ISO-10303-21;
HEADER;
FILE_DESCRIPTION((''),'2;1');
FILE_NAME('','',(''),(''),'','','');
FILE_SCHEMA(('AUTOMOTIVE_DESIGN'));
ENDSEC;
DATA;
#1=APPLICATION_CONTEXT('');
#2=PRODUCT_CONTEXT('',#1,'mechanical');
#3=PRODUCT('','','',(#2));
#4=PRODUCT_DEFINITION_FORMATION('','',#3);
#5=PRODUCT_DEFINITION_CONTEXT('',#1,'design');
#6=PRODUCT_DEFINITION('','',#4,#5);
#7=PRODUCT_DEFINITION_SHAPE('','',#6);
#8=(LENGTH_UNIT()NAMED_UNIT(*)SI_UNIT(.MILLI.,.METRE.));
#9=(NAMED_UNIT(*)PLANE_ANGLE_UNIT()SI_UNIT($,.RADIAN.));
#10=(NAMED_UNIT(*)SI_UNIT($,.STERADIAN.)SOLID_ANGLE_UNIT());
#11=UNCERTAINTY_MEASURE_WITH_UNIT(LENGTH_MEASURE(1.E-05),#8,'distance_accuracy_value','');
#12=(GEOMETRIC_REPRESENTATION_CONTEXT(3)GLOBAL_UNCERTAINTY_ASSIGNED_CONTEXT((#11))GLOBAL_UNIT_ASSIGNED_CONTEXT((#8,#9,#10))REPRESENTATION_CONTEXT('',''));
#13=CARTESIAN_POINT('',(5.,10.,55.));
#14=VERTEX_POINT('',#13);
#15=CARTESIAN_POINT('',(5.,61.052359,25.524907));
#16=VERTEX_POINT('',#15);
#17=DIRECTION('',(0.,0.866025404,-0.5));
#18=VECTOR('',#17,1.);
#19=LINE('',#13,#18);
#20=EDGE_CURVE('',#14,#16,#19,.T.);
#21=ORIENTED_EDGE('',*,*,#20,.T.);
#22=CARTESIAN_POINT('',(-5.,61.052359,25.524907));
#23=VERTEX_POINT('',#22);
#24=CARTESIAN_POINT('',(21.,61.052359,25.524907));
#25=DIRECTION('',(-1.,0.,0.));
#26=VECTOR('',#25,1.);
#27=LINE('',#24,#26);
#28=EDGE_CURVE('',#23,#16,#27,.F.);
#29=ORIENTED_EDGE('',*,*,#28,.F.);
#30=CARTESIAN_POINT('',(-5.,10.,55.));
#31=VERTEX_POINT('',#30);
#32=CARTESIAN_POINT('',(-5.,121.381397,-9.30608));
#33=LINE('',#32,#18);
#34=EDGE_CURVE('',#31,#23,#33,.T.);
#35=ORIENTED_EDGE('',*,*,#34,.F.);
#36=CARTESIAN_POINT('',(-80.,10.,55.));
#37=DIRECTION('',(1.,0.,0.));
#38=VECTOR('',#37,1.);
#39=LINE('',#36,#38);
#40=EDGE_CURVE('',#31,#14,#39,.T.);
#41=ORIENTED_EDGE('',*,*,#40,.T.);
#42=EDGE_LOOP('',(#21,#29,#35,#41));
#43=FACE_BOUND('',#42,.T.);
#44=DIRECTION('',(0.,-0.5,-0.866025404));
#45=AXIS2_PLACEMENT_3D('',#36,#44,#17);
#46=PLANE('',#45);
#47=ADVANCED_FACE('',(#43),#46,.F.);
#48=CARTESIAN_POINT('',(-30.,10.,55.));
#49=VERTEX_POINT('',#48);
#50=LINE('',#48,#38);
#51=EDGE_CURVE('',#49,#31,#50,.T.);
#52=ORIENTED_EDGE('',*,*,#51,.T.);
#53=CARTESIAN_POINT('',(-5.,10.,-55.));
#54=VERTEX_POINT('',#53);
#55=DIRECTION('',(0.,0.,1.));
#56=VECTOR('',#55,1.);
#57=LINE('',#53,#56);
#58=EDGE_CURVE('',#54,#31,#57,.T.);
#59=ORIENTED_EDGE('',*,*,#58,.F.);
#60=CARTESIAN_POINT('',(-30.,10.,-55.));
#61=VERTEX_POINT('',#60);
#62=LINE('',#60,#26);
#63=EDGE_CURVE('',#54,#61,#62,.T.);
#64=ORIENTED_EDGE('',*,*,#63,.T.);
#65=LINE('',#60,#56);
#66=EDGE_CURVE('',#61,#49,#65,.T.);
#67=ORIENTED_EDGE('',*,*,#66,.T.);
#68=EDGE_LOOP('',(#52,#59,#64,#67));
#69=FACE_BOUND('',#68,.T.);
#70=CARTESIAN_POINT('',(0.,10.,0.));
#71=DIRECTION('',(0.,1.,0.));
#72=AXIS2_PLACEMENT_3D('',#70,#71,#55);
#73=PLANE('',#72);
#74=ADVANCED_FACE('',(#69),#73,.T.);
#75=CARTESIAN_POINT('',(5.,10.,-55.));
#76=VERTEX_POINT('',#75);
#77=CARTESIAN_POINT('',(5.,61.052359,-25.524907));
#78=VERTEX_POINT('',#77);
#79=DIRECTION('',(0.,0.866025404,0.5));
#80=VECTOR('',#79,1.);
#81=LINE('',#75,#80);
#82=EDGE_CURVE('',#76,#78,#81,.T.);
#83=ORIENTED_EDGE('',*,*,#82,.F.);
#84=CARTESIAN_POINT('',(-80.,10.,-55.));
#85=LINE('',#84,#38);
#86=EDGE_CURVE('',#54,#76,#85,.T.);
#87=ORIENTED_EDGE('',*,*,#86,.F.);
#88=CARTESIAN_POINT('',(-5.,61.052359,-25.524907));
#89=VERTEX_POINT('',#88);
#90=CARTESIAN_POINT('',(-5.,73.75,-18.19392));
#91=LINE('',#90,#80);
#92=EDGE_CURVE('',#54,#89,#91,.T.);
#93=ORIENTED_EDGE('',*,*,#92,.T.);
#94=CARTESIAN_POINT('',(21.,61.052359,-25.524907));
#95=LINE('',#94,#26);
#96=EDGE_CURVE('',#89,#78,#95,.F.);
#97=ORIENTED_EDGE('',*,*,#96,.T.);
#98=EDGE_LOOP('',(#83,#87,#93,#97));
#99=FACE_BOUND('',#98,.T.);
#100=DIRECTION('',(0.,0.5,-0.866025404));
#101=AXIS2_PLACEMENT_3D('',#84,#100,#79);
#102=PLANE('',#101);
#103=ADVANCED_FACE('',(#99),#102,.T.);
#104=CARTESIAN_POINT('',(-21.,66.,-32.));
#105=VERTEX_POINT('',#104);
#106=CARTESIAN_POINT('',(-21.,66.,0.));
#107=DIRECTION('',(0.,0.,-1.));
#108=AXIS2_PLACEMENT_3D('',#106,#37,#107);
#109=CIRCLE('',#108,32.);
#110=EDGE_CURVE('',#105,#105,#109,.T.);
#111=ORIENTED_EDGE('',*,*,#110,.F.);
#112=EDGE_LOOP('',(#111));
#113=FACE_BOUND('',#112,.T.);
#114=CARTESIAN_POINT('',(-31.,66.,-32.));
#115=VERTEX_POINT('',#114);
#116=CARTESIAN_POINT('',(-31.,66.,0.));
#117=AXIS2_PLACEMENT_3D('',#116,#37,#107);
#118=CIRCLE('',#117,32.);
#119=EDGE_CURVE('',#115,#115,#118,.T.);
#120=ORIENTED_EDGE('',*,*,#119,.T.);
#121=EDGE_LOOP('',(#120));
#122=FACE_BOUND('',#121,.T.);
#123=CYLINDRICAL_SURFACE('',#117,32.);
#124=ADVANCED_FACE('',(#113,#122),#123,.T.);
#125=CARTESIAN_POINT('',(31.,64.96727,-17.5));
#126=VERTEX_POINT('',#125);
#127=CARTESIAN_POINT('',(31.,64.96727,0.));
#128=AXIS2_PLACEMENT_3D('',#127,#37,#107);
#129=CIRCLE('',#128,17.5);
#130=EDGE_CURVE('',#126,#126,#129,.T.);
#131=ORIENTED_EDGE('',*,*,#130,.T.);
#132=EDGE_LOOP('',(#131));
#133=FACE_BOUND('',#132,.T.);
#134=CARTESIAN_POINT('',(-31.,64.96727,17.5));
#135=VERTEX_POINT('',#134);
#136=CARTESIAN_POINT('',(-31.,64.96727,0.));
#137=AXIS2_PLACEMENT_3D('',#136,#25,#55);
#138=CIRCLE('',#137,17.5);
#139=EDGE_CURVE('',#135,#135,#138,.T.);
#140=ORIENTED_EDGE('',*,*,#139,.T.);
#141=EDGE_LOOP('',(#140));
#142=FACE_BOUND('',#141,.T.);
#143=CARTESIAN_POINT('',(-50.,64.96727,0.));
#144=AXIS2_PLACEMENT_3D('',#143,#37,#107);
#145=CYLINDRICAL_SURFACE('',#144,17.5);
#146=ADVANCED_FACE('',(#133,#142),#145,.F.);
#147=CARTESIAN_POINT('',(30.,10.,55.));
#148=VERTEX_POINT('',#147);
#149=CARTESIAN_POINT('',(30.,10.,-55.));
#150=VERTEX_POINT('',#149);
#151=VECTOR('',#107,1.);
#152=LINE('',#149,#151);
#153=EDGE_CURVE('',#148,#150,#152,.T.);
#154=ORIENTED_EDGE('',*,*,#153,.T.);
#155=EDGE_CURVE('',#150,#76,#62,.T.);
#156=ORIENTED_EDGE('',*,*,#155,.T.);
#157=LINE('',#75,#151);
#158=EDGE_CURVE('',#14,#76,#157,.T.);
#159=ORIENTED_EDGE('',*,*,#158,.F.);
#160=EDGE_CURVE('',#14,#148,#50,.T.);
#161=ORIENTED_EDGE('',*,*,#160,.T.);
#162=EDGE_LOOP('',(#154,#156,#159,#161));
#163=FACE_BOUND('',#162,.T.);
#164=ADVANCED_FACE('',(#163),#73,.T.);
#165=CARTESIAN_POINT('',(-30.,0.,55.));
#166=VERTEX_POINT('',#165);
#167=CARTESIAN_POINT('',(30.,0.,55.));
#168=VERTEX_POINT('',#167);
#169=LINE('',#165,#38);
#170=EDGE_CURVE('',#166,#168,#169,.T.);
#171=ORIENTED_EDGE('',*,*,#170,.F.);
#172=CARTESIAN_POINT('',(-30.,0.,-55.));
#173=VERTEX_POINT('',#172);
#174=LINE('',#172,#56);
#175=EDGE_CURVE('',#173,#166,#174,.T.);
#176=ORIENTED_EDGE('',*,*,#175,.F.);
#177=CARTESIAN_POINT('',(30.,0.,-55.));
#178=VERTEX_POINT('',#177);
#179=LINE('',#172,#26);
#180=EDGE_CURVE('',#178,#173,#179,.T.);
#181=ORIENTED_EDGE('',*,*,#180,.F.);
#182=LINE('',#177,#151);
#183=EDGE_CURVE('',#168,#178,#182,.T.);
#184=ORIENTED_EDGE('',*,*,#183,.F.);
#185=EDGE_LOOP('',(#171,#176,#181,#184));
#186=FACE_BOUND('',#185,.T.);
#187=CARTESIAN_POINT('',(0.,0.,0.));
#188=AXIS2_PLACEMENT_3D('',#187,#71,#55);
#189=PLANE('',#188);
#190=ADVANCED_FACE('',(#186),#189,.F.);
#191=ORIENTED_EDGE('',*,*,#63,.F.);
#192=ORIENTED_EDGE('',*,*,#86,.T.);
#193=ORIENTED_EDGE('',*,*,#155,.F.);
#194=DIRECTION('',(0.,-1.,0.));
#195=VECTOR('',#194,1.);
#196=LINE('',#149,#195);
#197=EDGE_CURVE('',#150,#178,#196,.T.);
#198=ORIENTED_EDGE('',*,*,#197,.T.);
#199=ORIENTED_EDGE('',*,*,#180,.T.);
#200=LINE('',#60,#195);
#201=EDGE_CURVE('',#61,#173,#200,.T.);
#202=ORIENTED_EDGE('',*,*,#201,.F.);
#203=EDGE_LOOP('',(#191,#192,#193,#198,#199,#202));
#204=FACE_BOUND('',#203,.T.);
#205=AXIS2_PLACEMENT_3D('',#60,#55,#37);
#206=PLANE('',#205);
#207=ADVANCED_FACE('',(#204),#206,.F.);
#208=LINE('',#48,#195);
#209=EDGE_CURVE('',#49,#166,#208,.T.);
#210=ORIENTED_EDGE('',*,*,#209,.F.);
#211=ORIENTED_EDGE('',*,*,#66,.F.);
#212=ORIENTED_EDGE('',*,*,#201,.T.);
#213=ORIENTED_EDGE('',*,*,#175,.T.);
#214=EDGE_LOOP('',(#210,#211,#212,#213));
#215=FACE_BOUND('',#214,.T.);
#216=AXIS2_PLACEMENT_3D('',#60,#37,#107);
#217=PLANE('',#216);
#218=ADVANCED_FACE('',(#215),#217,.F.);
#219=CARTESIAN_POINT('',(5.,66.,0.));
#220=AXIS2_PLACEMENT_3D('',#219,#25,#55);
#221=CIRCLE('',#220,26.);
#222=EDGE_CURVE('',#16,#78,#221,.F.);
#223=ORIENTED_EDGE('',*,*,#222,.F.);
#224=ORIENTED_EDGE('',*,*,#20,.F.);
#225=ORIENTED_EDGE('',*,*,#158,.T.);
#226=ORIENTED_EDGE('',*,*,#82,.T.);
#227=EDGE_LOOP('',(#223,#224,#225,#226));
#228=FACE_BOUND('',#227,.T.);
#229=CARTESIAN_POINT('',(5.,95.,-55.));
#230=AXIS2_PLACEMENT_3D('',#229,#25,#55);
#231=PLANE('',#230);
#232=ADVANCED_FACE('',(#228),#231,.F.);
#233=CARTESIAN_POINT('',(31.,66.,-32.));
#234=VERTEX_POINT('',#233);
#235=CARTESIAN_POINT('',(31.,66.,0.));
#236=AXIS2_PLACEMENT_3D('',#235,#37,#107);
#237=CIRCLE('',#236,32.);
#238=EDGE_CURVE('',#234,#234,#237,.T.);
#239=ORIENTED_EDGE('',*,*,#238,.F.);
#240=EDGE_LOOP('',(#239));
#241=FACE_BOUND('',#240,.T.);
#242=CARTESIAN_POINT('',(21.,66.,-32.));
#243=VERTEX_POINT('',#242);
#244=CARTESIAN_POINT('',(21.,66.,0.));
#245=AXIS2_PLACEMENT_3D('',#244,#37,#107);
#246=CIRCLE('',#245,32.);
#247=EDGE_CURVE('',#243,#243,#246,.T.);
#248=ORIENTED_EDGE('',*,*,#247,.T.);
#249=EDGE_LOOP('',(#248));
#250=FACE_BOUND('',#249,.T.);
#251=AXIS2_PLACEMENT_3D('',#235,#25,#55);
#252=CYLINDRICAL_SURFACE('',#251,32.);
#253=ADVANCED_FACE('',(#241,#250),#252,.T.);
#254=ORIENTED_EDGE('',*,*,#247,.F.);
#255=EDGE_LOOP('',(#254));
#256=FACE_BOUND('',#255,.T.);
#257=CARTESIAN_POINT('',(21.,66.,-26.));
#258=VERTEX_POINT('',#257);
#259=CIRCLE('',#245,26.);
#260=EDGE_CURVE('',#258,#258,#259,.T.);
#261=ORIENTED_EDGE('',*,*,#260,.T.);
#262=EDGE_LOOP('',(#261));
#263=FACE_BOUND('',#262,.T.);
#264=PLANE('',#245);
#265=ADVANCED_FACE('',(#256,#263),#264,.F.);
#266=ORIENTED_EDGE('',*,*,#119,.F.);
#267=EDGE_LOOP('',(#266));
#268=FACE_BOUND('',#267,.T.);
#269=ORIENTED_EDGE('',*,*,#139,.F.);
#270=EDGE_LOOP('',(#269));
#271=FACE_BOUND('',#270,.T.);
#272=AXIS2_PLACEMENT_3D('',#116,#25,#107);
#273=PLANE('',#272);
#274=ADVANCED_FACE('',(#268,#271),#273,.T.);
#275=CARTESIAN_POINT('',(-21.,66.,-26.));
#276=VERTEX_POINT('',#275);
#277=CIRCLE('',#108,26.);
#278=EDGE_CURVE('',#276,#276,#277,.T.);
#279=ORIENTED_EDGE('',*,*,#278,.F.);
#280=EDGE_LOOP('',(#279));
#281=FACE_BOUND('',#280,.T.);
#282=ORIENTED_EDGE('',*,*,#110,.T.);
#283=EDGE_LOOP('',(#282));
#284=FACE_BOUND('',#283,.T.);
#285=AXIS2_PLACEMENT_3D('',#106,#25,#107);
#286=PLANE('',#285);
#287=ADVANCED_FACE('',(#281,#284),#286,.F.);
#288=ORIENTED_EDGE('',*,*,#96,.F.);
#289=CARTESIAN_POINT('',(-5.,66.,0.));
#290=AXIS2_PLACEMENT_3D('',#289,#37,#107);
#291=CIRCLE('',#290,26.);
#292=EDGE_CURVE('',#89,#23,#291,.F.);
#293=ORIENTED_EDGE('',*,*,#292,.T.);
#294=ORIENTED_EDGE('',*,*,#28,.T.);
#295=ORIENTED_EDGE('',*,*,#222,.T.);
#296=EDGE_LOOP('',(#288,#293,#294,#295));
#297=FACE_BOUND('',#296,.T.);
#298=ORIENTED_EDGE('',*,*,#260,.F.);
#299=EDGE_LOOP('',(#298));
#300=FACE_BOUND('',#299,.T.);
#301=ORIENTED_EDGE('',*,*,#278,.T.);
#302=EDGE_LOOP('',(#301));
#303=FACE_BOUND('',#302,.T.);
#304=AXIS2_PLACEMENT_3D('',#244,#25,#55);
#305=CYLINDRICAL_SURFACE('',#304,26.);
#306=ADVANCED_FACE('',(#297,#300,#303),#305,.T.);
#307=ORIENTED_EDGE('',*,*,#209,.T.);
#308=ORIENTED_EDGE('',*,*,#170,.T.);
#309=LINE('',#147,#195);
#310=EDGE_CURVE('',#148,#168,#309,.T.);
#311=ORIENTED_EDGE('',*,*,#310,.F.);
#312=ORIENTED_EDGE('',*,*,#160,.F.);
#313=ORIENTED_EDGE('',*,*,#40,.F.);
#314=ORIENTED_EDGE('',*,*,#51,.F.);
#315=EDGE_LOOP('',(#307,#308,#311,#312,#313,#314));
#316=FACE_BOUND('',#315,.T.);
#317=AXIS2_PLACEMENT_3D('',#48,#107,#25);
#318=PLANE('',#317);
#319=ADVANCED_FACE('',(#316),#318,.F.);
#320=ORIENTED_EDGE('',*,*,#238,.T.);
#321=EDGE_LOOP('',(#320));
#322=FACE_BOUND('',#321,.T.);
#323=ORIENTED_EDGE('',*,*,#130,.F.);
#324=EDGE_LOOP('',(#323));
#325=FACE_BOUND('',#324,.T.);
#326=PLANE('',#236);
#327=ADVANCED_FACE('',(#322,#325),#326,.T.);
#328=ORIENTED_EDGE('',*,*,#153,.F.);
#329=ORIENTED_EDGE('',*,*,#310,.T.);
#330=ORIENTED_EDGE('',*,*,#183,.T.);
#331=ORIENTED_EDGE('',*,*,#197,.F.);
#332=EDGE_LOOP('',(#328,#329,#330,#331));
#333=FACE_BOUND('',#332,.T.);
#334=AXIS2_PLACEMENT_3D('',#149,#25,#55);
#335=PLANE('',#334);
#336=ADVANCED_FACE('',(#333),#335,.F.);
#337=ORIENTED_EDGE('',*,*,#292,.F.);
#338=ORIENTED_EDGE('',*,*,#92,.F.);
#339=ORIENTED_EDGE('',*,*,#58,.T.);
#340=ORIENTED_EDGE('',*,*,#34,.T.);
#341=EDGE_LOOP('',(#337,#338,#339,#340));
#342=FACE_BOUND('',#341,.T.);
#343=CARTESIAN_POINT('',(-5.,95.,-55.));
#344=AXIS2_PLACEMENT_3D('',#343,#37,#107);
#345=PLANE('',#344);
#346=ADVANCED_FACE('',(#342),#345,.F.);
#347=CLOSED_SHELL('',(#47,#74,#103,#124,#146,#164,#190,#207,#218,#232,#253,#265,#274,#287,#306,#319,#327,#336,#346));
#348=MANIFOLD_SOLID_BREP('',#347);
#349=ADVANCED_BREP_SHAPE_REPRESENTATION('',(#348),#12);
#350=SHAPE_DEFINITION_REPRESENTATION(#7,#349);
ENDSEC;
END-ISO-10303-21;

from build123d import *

# Parameters (mm, degrees)
SKETCH_1_W          = 60
SKETCH_1_H          = 110
EXTRUDE_1_DEPTH     = 10
SKETCH_2_W          = 10
SKETCH_2_H          = 110
EXTRUDE_2_DEPTH     = 85
CUT_EXTRUDE_1_DEPTH = 85
SKETCH_4_R          = 26
EXTRUDE_3_DEPTH     = 21
CUT_EXTRUDE_2_DEPTH = 42
SKETCH_6_R          = 32
EXTRUDE_4_DEPTH     = 10
SKETCH_7_R          = 17.5
CUT_EXTRUDE_3_DEPTH = 81


with BuildPart() as part:
    # 스케치1 → 보스-돌출1 (new body)
    with BuildSketch(Plane(origin=(0, 0, 0), x_dir=(1, 0, 0), z_dir=(0, 1, 0))):
        Rectangle(SKETCH_1_W, SKETCH_1_H)
    extrude(amount=EXTRUDE_1_DEPTH)

    # 스케치2 → 보스-돌출2 (add)
    with BuildSketch(Plane(origin=(0, 10, 0), x_dir=(1, 0, 0), z_dir=(0, 1, 0))):
        Rectangle(SKETCH_2_W, SKETCH_2_H)
    extrude(amount=EXTRUDE_2_DEPTH)

    # 스케치3 → 컷-돌출1 (cut)
    with BuildSketch(Plane(origin=(5, 0, 0), x_dir=(0, 0, -1), z_dir=(1, 0, 0))):
        Polygon((-55, 10), (-1.927245104, 101.924707978), (-74.670847317, 101.924707978), (-74.670847317, 10), align=None)
    cut_extrude_1 = extrude(amount=-CUT_EXTRUDE_1_DEPTH, mode=Mode.SUBTRACT)

    # 대칭 복사1: 컷-돌출1 across plane
    add(cut_extrude_1.mirror(Plane.XY), mode=Mode.SUBTRACT)

    # 스케치4 → 보스-돌출3 (add, symmetric)
    with BuildSketch(Plane(origin=(0, 0, 0), x_dir=(0, 0, -1), z_dir=(1, 0, 0))):
        with Locations((0, 66)):
            Circle(SKETCH_4_R)
    extrude(amount=EXTRUDE_3_DEPTH, both=True)

    # 스케치5 → 컷-돌출2 (cut)
    with BuildSketch(Plane(origin=(21, 0, 0), x_dir=(0, 0, -1), z_dir=(1, 0, 0))):
        with BuildLine():
            Line((-16.854508663, 85.797109328), (-12.442891348, 105.747158049))
            Line((-12.442891348, 105.747158049), (16.049526521, 102.320854634))
            Line((16.049526521, 102.320854634), (20.027337967, 82.58028148))
            ThreePointArc((20.027337967, 82.58028148), (2.259138508, 91.901665838), (-16.854508663, 85.797109328))
        make_face()
    extrude(amount=-CUT_EXTRUDE_2_DEPTH, mode=Mode.SUBTRACT)

    # 스케치6 → 보스-돌출4 (add)
    with BuildSketch(Plane(origin=(21, 0, 0), x_dir=(0, 0, -1), z_dir=(1, 0, 0))):
        with Locations((0, 66)):
            Circle(SKETCH_6_R)
    extrude_4 = extrude(amount=EXTRUDE_4_DEPTH)

    # 대칭 복사2: 보스-돌출4 across plane
    add(extrude_4.mirror(Plane(origin=(0, 0, 0), x_dir=(0, 0, 1), z_dir=(1, 0, 0))))

    # 스케치7 → 컷-돌출3 (cut)
    with BuildSketch(Plane(origin=(31, 0, 0), x_dir=(0, 0, -1), z_dir=(1, 0, 0))):
        with Locations((0, 64.96726993)):
            Circle(SKETCH_7_R)
    extrude(amount=-CUT_EXTRUDE_3_DEPTH, mode=Mode.SUBTRACT)


solid = part.part
